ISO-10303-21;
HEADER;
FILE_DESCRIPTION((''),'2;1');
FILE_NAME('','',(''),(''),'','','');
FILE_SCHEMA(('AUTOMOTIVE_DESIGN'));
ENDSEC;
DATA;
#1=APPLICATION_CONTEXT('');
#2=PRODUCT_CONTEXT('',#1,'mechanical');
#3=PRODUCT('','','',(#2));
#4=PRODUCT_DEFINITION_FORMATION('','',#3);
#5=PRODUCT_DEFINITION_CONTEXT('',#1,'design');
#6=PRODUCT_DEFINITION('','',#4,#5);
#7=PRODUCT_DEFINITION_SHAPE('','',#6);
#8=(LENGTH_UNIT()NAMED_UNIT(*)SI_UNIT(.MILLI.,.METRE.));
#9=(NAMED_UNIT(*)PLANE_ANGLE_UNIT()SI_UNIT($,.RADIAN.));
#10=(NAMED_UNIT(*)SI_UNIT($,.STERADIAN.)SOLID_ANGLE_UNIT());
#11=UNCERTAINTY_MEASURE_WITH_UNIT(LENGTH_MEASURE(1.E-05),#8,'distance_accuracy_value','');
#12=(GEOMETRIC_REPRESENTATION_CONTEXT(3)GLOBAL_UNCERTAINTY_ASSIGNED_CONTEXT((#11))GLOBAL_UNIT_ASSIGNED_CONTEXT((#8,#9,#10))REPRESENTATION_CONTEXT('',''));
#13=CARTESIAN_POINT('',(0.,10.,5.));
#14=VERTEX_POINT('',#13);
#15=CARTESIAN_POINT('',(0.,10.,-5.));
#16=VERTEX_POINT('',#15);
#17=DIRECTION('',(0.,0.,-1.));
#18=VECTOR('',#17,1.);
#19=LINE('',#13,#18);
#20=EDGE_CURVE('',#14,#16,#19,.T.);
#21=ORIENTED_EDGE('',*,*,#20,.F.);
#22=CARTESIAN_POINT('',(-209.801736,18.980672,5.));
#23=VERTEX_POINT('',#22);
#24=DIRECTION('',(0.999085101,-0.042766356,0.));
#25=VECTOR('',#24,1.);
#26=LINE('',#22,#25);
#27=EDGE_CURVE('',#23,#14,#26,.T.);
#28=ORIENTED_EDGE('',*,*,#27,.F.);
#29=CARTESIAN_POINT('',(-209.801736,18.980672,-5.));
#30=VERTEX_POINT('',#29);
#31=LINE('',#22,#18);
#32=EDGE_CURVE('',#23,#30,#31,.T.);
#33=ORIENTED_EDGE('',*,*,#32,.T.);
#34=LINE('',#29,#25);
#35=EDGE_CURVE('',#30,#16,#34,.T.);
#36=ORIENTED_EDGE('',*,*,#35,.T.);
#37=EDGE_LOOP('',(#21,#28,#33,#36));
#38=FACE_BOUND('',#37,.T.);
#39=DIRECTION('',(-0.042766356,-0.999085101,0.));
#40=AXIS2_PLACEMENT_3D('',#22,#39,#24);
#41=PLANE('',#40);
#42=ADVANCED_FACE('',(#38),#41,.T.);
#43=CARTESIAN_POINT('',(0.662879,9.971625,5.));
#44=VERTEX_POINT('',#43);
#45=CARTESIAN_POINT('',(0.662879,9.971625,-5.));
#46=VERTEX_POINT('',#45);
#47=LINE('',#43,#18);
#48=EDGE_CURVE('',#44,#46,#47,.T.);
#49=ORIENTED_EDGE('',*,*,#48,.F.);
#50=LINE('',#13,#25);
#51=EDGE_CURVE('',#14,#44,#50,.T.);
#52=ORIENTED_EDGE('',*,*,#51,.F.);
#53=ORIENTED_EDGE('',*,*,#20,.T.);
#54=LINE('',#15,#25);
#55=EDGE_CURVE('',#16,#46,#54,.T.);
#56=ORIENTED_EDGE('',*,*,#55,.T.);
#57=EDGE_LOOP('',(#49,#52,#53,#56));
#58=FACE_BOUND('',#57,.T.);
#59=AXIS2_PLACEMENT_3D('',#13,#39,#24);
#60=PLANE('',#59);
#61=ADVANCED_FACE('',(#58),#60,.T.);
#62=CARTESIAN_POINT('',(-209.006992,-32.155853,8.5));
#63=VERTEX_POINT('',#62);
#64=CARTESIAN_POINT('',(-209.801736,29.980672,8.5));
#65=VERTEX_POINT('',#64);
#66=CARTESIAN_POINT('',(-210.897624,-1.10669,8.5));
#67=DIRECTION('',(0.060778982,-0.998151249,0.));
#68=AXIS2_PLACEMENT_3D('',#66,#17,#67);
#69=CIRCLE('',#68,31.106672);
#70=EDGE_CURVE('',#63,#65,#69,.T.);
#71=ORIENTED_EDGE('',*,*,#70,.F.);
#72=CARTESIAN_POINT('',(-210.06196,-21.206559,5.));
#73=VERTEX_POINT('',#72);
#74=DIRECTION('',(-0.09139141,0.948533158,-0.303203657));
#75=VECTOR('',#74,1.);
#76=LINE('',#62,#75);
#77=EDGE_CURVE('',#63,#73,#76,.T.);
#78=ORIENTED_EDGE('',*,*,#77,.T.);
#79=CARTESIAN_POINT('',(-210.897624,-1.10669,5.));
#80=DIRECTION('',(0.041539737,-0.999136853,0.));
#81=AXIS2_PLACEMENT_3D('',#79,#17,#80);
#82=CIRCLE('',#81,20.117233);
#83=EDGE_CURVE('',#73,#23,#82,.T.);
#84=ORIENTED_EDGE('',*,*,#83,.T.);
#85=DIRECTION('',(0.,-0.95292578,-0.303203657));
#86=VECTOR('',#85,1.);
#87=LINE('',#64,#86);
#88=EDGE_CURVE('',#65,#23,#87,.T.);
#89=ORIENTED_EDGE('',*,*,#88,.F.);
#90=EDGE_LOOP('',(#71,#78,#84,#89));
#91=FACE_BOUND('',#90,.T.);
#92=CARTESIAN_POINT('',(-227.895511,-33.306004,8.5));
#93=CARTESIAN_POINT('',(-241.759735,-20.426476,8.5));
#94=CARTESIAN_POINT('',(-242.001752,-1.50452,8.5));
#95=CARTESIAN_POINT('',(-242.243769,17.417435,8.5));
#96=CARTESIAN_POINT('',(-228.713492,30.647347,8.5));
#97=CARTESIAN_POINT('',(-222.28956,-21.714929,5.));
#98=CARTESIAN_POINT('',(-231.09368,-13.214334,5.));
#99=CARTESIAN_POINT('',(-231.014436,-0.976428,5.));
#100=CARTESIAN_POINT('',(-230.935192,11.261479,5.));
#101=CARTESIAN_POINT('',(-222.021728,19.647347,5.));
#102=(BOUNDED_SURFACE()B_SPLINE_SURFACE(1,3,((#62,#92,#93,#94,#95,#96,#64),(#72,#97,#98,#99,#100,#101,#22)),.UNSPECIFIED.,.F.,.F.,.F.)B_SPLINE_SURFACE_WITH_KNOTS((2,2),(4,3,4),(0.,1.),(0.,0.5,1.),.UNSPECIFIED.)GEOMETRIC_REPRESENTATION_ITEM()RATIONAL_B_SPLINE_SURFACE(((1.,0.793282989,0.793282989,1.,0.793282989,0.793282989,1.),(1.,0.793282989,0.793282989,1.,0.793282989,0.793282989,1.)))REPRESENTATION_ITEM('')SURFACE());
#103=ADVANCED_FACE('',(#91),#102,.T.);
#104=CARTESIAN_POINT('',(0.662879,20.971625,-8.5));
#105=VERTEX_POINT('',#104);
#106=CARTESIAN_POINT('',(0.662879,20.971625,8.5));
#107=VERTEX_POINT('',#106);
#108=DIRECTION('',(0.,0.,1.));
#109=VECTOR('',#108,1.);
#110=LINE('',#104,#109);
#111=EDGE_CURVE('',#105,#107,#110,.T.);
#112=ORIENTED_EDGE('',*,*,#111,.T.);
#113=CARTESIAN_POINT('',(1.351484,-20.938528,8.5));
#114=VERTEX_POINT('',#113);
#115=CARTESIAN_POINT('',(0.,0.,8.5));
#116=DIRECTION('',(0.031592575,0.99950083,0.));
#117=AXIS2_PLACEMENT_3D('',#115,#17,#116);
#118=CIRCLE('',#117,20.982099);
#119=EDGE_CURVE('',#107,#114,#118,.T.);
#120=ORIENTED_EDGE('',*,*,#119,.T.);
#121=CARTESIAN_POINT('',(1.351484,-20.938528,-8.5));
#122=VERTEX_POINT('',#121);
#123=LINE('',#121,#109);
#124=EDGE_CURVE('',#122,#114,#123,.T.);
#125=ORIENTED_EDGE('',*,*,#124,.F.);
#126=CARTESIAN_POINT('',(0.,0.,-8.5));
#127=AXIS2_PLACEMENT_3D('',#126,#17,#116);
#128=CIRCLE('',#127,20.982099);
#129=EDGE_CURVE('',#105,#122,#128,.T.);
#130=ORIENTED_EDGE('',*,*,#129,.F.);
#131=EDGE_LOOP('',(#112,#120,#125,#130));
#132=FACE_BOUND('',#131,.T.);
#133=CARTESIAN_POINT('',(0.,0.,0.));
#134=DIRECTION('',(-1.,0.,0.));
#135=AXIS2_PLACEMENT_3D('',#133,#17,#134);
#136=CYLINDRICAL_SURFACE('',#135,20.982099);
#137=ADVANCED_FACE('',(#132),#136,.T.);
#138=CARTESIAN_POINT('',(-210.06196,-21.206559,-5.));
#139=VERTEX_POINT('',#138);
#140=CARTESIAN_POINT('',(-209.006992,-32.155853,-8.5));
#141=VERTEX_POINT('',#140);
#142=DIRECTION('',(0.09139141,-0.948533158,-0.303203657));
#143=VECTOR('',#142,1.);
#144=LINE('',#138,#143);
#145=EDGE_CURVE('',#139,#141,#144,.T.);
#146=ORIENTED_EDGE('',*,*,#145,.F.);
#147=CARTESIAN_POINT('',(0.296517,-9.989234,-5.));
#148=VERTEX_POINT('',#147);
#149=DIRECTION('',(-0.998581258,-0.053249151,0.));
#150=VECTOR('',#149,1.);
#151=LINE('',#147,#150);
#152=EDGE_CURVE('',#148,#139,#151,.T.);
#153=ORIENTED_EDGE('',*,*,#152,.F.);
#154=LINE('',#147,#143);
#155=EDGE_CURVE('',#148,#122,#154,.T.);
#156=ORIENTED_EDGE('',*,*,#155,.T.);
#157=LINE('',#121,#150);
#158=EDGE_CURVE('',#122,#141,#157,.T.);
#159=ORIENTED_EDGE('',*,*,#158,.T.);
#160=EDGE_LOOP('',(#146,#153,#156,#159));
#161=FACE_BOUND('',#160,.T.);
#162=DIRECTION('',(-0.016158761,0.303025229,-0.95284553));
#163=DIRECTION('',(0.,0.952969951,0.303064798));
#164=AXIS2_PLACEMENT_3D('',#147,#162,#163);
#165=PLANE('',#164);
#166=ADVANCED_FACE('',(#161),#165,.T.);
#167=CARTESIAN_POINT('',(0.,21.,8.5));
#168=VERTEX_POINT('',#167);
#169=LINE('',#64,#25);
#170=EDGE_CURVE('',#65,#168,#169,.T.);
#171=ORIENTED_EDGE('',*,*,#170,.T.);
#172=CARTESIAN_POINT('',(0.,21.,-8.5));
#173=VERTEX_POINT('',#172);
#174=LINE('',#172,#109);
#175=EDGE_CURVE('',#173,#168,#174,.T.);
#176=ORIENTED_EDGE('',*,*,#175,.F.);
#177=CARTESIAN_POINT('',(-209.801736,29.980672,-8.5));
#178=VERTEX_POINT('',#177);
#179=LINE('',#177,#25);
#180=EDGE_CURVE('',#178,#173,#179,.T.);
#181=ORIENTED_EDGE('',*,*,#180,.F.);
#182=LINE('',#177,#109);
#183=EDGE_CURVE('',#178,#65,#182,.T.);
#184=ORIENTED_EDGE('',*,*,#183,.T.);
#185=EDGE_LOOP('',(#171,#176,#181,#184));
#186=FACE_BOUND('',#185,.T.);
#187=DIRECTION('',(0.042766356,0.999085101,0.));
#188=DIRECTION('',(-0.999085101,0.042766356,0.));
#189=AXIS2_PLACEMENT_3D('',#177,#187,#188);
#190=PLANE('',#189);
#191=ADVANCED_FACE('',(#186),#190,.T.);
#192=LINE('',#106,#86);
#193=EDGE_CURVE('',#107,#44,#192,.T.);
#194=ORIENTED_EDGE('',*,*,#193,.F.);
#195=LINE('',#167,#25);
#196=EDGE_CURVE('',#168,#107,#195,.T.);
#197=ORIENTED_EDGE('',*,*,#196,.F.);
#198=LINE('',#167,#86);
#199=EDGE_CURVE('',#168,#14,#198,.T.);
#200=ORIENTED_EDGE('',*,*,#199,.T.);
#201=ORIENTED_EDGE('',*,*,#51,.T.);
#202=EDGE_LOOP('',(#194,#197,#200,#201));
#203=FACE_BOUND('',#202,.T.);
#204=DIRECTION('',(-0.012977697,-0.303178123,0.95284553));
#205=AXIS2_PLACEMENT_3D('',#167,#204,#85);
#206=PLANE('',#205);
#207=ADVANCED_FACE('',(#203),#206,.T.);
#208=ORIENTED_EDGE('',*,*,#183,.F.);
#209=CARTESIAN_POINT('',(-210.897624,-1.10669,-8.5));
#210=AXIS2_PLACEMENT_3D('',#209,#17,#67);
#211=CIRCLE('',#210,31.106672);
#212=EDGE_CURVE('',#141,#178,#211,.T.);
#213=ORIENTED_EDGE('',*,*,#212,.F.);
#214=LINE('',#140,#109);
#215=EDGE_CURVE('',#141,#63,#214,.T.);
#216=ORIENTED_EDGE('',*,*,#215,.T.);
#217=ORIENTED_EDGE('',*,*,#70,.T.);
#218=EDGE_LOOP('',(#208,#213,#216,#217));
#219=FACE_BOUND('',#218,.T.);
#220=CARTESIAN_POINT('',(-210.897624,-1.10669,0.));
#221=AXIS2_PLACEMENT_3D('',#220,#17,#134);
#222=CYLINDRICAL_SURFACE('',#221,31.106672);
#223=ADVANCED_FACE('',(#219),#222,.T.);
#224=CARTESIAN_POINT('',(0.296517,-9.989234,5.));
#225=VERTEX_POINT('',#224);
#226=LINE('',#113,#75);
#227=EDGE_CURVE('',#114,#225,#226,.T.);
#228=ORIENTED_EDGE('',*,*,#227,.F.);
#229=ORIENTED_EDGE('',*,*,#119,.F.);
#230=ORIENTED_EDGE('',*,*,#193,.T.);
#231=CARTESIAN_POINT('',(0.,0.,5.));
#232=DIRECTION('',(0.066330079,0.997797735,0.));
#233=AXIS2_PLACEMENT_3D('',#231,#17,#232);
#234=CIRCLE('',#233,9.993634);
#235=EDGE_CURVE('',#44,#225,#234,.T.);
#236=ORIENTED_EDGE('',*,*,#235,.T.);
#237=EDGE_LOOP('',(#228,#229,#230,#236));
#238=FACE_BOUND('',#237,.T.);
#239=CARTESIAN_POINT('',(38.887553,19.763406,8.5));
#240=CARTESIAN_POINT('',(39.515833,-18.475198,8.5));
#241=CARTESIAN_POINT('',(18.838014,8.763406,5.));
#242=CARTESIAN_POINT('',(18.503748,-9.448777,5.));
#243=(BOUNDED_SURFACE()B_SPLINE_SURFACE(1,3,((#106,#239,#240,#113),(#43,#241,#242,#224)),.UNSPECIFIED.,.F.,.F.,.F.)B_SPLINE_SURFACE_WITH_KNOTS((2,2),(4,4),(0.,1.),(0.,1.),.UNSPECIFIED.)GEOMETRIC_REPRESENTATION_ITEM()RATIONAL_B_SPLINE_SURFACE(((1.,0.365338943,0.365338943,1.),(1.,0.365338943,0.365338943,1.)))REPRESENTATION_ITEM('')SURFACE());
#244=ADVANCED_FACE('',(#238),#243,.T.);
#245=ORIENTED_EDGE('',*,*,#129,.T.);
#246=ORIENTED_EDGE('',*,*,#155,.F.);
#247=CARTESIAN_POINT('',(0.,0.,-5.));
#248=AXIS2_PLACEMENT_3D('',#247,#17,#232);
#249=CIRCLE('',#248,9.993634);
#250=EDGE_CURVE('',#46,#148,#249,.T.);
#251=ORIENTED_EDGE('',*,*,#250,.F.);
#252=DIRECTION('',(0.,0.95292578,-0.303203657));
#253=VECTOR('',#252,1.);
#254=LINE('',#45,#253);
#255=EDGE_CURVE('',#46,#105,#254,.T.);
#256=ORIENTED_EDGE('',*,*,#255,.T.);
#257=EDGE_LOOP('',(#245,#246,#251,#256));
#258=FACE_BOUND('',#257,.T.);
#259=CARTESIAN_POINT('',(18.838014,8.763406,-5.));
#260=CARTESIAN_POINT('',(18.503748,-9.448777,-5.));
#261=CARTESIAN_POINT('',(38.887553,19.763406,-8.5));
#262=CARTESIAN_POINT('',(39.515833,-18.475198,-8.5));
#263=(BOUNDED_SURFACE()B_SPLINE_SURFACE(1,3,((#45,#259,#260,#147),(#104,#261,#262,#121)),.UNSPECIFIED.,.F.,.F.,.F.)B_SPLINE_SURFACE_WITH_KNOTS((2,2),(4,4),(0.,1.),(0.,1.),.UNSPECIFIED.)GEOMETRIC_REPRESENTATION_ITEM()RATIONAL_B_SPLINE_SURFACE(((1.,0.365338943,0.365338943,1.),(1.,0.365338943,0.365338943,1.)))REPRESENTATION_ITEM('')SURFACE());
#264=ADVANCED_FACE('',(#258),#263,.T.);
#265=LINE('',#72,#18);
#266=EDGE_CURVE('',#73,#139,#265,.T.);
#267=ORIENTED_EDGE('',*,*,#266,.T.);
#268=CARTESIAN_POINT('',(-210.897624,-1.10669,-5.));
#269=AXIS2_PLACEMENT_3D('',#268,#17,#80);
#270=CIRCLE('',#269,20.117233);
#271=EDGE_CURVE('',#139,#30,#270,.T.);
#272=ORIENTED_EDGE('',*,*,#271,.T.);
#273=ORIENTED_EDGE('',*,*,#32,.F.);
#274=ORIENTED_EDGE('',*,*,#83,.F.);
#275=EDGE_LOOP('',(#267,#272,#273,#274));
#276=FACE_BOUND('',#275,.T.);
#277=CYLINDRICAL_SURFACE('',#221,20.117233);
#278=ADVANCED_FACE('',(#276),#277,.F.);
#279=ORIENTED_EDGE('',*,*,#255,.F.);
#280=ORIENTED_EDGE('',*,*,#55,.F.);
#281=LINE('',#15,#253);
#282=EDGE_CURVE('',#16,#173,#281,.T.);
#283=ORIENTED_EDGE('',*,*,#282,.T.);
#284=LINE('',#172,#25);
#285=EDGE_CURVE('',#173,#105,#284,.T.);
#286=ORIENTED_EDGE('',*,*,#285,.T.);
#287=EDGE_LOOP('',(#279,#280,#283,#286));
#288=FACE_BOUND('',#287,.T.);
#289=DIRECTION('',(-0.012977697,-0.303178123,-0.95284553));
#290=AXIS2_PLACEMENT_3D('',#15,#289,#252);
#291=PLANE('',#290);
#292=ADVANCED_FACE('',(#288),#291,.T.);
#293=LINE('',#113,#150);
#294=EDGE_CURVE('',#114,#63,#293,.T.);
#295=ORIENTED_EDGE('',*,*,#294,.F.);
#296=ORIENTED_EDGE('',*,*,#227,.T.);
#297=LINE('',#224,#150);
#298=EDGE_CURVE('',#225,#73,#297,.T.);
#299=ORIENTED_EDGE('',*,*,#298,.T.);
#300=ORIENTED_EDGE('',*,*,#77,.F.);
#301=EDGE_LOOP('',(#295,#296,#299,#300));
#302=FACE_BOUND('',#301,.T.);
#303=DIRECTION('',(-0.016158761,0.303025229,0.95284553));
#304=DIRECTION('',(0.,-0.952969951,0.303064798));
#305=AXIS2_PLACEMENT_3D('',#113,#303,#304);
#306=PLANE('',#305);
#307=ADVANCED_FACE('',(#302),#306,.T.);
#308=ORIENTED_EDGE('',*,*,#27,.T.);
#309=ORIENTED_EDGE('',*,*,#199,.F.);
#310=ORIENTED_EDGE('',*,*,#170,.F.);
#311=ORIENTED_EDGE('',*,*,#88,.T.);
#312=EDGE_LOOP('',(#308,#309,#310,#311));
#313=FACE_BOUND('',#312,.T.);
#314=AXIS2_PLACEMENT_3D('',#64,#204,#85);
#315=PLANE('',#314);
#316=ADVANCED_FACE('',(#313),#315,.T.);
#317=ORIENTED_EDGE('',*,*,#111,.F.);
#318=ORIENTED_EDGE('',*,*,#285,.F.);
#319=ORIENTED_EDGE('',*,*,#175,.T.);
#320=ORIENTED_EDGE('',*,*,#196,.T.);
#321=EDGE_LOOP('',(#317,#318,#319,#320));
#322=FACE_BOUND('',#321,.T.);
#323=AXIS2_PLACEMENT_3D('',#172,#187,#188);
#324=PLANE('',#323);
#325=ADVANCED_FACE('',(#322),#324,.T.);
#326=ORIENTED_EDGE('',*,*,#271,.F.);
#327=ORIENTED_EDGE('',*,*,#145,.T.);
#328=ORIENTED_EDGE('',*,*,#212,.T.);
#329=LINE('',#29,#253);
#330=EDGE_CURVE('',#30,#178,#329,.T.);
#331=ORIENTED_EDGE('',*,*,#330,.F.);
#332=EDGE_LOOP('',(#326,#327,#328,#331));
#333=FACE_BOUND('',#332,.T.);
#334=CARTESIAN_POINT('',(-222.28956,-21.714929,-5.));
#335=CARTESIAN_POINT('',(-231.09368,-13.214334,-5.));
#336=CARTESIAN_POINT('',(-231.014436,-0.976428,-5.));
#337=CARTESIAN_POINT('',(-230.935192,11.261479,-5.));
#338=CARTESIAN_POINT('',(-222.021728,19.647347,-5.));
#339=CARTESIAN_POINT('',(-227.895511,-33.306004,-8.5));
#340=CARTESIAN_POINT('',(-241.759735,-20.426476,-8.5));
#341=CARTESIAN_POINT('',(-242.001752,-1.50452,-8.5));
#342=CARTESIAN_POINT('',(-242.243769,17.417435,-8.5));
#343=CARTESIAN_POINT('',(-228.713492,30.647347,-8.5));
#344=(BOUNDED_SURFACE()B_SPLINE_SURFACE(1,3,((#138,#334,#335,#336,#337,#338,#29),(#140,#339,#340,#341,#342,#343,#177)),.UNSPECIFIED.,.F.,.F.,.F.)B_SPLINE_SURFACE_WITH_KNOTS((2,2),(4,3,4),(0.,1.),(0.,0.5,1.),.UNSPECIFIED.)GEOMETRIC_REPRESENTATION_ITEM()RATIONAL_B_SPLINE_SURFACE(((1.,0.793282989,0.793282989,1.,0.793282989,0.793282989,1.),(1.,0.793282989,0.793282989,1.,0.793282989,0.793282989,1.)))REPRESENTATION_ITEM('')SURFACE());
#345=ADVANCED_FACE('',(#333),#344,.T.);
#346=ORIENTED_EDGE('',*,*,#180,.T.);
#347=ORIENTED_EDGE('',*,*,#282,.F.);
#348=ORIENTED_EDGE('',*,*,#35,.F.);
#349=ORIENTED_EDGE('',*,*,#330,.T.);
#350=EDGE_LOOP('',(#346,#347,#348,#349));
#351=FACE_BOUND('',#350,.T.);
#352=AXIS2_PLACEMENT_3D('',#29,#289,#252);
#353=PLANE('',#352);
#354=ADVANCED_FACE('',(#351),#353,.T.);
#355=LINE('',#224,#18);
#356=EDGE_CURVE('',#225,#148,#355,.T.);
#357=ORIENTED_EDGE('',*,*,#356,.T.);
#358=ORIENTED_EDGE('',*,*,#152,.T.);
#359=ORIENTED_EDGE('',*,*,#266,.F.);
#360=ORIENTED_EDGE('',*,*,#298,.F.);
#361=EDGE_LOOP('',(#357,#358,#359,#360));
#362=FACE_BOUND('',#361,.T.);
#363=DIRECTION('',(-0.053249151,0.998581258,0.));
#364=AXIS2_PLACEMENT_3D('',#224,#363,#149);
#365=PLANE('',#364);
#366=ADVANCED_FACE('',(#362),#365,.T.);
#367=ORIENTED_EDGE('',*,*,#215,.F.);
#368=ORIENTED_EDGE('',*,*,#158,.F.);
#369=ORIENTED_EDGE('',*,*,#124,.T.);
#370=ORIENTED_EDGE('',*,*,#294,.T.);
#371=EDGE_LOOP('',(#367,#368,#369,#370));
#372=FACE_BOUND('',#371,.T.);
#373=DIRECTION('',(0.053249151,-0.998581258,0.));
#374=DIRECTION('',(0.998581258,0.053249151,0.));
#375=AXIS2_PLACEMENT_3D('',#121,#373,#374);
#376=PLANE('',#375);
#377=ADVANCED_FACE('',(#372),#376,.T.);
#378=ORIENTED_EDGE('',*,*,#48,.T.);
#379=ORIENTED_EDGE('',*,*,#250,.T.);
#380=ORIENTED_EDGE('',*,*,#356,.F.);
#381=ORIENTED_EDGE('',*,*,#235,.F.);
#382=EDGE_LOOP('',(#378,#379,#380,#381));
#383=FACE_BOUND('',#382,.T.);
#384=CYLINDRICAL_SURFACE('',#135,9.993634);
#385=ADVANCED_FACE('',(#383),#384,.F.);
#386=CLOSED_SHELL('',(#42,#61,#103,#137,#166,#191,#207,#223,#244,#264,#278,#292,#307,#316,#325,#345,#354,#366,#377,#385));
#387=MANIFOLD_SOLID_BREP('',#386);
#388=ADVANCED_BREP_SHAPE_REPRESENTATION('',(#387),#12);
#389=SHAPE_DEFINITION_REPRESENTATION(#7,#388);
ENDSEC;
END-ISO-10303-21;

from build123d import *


with BuildPart() as part:
    # Sweep1: sweep along a path in Sketch1
    with BuildLine(Plane.XY) as sweep1_path:
        Line((0.662878519, 15.485819064), (-209.801736466, 24.494866094))
        ThreePointArc((-209.801736466, 24.494866094), (-236.522271536, -1.241155479), (-209.533114838, -26.695334341))
        Line((-209.533114838, -26.695334341), (0.825361845, -15.478009492))
        ThreePointArc((0.825361845, -15.478009492), (15.499786597, 0.081335449), (0.662878519, 15.485819064))
    # Sketch2 → Sweep1 (sweep)
    with BuildSketch(Plane(origin=(0, 0, 0), x_dir=(0, 0, -1), z_dir=(1, 0, 0))):
        Polygon((8.5, 21), (-8.5, 21), (-5, 10), (5, 10), align=None)
    sweep(path=sweep1_path.line)


solid = part.part
